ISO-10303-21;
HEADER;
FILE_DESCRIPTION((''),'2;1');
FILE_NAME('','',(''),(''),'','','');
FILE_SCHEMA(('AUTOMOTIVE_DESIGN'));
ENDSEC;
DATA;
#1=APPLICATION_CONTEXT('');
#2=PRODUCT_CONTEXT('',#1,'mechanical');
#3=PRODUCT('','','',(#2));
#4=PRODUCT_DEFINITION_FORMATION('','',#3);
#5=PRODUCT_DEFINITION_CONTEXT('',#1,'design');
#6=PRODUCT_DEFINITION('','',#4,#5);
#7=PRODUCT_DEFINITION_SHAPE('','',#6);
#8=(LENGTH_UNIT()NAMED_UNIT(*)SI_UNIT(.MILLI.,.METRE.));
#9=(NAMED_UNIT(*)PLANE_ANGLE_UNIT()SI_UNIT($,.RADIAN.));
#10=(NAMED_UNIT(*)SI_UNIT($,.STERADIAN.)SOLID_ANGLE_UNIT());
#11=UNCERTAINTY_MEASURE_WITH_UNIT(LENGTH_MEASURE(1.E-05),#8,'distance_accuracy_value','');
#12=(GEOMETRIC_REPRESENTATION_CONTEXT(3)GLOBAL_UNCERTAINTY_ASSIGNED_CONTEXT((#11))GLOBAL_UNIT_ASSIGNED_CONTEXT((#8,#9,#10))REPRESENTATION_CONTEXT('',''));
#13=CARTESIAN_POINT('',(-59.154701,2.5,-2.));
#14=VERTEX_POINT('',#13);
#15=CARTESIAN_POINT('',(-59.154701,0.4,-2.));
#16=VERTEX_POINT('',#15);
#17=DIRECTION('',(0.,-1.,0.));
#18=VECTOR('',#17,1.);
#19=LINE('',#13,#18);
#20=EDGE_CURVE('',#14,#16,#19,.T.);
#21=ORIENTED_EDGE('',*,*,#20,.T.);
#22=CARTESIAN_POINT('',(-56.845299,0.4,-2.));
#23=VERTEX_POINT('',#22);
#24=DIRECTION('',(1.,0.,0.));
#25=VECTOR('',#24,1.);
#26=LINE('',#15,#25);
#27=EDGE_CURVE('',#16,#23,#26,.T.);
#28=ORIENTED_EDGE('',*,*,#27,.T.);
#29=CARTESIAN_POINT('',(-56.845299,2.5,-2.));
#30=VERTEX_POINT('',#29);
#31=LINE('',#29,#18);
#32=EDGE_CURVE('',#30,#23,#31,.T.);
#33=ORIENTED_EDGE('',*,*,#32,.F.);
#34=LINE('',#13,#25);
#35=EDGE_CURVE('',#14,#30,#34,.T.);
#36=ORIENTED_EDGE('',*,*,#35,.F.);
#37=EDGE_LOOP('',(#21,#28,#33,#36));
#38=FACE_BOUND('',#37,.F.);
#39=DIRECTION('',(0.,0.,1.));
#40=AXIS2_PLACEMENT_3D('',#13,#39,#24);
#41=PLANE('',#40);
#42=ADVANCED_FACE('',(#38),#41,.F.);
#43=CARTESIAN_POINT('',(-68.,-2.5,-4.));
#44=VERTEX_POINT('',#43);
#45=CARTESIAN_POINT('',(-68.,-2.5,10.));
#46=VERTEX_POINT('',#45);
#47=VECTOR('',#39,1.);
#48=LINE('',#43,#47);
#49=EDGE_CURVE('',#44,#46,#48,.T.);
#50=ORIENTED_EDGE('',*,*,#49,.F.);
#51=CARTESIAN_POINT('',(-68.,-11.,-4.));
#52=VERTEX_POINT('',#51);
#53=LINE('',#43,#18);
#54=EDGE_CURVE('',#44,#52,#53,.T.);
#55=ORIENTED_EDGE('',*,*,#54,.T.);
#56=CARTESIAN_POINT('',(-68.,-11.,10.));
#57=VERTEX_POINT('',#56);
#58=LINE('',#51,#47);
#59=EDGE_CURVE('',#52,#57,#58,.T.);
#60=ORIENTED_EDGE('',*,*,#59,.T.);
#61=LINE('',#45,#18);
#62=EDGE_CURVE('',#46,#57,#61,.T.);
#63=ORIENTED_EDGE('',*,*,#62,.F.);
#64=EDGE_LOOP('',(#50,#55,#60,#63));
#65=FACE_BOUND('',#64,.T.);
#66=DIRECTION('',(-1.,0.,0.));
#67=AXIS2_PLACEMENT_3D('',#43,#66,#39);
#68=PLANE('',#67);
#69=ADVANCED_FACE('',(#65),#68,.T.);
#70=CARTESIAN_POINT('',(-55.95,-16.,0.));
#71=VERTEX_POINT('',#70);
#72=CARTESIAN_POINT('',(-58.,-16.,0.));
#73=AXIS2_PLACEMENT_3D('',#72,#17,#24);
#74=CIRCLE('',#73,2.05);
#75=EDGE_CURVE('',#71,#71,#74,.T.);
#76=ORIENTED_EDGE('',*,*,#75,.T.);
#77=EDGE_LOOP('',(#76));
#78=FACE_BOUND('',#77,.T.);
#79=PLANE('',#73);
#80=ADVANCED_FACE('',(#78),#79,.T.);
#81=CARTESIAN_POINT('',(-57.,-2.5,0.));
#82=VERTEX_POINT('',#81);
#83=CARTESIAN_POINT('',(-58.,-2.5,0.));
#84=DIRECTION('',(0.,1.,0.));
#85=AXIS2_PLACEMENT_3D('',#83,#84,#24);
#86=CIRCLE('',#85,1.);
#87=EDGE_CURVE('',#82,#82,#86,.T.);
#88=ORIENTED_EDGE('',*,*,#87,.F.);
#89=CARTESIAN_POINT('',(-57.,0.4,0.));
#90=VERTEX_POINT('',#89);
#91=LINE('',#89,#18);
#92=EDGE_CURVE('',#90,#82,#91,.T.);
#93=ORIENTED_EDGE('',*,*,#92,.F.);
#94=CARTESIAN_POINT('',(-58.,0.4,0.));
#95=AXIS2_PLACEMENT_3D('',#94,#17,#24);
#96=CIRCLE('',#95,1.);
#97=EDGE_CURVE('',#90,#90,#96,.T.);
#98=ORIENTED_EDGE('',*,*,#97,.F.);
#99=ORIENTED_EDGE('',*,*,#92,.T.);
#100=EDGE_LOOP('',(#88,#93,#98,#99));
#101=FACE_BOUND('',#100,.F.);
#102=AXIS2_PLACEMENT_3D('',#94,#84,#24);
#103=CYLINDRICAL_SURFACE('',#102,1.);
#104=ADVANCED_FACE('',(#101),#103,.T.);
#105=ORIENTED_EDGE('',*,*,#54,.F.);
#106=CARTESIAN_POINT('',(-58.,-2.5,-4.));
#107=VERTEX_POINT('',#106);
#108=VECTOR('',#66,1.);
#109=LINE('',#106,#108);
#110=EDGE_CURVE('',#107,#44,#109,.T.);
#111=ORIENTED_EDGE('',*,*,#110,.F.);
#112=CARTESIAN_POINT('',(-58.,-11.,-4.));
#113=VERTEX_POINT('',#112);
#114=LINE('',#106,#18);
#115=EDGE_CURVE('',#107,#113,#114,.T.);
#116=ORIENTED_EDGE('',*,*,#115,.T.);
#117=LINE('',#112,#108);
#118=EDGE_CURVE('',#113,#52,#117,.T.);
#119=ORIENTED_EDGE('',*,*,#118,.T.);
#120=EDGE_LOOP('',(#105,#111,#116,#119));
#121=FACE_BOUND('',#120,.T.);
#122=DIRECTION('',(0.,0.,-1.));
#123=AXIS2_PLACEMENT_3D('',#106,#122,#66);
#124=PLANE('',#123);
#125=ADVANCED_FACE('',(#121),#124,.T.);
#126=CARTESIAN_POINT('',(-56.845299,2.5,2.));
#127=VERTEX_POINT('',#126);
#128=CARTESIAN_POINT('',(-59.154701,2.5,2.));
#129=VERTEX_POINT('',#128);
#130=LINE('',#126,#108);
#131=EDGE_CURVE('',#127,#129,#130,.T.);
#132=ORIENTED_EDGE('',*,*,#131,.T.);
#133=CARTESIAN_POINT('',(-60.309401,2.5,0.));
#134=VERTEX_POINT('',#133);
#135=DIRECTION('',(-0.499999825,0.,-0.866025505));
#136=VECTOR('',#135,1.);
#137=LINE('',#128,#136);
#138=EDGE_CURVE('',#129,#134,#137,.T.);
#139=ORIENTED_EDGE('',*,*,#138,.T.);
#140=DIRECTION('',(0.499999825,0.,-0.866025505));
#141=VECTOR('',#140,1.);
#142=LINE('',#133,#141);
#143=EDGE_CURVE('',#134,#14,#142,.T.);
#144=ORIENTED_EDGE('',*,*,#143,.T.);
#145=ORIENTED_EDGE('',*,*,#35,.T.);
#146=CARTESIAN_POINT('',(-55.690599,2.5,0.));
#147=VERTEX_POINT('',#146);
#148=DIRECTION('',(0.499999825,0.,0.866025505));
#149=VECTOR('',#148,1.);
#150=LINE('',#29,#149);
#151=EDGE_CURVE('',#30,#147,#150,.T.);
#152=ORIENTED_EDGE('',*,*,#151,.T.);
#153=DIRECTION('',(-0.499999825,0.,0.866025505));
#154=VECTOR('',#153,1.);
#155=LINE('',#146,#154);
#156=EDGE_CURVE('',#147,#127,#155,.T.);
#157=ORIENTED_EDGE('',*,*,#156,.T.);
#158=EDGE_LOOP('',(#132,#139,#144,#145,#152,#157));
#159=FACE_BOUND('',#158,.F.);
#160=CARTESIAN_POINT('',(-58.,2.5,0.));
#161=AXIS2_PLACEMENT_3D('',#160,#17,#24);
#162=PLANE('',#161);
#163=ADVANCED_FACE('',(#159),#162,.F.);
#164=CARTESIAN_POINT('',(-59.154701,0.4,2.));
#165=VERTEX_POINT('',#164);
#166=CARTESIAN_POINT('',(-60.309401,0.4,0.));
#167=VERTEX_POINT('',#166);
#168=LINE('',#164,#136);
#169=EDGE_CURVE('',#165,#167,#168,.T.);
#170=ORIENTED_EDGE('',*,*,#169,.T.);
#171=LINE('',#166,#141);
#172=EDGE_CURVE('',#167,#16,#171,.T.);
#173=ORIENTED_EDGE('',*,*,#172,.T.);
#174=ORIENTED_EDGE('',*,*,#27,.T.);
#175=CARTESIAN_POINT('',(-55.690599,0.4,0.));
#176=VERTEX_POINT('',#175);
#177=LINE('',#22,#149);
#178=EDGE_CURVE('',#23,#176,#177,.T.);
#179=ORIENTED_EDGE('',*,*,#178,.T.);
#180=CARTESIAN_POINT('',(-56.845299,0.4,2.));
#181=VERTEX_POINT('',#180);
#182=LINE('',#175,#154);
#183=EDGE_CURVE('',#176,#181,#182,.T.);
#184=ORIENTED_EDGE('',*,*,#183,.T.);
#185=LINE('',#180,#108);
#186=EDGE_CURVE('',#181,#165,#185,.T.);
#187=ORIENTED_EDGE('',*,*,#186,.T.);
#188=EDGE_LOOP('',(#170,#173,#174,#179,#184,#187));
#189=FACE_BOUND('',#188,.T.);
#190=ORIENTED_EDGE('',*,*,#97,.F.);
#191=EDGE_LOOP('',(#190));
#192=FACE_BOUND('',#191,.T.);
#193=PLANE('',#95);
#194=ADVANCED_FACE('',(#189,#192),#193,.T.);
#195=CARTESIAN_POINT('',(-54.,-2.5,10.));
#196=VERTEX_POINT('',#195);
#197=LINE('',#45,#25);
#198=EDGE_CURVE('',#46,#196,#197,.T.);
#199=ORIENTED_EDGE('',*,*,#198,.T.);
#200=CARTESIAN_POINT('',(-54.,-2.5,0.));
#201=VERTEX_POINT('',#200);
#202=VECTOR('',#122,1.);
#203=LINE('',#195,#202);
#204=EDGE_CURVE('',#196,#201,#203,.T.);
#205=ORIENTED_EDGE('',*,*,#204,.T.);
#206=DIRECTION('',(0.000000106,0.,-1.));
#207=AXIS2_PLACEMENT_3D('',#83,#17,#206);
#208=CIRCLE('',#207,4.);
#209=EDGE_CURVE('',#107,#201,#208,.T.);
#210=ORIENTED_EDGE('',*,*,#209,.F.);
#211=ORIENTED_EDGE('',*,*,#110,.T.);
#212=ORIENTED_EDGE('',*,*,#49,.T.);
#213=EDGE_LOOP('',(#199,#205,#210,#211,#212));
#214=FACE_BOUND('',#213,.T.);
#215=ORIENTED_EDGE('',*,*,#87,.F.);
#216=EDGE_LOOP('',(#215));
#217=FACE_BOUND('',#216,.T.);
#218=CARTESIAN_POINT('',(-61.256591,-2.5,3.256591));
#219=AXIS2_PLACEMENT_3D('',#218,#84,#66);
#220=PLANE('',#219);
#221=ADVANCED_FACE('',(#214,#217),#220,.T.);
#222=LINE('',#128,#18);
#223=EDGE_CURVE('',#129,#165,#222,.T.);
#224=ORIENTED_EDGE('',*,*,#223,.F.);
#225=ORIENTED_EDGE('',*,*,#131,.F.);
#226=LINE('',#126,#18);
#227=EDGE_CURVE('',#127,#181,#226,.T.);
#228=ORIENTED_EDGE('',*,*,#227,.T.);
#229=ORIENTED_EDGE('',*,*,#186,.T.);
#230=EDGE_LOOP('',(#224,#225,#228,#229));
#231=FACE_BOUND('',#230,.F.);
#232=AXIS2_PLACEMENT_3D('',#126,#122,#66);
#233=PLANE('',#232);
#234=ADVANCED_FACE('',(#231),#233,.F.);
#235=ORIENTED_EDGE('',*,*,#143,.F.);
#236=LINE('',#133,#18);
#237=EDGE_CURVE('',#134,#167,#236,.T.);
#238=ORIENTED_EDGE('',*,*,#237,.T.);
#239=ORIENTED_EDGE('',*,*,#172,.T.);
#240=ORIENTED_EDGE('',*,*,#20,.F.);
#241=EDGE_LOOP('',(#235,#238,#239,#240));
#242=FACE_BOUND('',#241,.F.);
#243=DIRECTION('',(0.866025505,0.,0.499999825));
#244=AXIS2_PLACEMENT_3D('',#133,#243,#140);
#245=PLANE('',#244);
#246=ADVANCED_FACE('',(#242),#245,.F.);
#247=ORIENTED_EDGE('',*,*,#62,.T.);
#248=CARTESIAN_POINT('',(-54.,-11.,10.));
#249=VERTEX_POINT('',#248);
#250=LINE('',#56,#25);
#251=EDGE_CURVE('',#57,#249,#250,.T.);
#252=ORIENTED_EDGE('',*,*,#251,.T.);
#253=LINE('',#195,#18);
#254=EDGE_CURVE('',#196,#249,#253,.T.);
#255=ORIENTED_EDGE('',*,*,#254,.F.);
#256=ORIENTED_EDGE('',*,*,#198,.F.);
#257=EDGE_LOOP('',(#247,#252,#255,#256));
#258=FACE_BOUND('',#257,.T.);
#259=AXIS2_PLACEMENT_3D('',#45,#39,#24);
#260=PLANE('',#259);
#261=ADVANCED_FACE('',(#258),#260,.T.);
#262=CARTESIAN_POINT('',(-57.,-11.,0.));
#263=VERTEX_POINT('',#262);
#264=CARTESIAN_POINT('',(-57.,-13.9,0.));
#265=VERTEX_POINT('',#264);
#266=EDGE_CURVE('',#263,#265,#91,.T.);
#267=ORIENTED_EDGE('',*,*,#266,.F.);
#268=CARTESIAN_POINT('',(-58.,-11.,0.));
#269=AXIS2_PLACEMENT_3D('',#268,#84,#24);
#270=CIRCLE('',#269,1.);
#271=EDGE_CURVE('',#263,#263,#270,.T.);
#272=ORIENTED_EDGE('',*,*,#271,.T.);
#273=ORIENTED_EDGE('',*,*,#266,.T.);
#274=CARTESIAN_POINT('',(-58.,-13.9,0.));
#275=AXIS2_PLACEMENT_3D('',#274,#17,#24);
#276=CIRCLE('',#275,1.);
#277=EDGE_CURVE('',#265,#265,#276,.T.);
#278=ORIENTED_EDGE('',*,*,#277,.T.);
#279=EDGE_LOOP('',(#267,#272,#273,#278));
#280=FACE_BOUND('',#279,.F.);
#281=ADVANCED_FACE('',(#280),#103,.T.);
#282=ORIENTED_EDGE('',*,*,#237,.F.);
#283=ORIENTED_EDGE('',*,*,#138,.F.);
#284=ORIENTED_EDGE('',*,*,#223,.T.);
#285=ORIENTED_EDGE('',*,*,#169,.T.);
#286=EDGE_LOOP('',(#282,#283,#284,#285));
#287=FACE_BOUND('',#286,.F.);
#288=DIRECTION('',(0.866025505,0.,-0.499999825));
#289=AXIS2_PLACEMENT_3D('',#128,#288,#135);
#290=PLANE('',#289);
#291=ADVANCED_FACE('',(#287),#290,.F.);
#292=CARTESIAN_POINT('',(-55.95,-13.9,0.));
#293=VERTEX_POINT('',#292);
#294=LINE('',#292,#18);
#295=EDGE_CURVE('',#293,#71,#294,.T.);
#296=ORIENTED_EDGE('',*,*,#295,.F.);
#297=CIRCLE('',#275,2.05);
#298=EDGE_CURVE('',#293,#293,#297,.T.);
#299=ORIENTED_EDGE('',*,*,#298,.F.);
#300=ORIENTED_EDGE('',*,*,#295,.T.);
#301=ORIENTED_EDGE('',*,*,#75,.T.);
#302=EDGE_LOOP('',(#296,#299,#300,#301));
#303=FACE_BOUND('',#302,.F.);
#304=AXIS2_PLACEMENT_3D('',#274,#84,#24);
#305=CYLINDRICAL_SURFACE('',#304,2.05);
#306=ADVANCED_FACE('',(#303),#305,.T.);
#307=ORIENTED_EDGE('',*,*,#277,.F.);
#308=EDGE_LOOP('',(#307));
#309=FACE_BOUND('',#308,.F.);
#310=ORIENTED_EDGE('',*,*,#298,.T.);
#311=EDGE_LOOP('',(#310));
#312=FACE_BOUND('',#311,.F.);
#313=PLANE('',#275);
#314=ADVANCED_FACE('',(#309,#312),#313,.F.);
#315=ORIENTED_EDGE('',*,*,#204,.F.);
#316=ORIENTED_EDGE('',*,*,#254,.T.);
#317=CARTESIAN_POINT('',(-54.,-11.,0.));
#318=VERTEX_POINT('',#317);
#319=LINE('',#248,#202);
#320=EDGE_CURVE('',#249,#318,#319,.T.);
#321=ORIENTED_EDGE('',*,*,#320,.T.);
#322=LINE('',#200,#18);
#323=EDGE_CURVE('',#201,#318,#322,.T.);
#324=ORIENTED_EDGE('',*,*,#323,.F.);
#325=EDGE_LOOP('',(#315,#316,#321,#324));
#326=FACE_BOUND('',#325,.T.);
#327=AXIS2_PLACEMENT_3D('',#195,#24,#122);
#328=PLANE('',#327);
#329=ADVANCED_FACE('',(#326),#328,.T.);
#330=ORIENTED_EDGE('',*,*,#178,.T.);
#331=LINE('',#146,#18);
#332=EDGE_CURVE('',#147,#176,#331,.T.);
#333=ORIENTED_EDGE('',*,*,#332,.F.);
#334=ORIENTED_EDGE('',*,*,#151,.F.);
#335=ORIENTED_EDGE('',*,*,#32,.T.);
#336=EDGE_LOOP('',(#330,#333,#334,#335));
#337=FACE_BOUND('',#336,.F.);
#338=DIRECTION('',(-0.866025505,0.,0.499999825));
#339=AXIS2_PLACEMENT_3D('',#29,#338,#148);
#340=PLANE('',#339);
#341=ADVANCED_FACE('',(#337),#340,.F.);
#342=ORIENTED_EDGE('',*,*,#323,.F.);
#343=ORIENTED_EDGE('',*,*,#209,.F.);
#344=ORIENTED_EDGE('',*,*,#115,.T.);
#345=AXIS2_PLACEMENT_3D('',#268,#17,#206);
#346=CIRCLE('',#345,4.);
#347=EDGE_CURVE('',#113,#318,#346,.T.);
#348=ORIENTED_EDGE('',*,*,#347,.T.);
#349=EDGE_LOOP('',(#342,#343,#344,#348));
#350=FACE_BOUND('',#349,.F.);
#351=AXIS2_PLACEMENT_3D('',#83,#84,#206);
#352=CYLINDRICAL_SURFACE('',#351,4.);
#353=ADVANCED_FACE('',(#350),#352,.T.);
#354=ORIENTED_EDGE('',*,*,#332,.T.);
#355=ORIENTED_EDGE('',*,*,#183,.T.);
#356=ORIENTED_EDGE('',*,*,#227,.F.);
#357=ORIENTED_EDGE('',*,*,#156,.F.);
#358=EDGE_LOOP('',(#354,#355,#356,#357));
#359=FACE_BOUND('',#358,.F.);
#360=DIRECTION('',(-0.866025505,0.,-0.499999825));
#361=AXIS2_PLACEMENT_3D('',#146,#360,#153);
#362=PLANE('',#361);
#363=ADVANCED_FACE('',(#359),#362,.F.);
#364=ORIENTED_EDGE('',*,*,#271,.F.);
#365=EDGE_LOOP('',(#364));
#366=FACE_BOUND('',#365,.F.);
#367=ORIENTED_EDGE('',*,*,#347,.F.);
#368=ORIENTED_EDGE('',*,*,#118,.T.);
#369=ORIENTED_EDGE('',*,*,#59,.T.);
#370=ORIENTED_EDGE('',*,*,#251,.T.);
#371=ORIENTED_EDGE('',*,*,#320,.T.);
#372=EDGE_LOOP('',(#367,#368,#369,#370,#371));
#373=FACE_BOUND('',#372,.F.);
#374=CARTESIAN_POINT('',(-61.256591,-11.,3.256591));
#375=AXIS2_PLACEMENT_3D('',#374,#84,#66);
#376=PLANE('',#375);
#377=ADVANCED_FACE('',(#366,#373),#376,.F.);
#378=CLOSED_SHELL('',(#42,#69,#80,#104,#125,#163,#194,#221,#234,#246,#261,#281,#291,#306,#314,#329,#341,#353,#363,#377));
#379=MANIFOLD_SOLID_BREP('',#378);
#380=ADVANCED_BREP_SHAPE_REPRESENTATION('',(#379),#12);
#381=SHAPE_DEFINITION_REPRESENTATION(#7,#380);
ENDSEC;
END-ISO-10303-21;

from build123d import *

# Parameters (mm, degrees)
PAD002_DEPTH = 2.1
SKETCH003_R  = 1
PAD003_DEPTH = 14.3
SKETCH004_R  = 2.05
PAD004_DEPTH = 2.1
PAD005_DEPTH = 8.5


with BuildPart() as part:
    # Sketch002 → Pad002 (new body)
    with BuildSketch(Plane.XZ.offset(-2.5)):
        Polygon((-56.845299, -2), (-55.690599, 0), (-56.845299, 2), (-59.154701, 2), (-60.309401, 0), (-59.154701, -2), align=None)
    extrude(amount=PAD002_DEPTH)

    # Sketch003 (on Face8 of Pad002) → Pad003 (join)
    with BuildSketch(Plane.XZ.offset(-0.4)):
        with Locations((-58, 0)):
            Circle(SKETCH003_R)
    extrude(amount=PAD003_DEPTH)

    # Sketch004 (on Face10 of Pad003) → Pad004 (join)
    with BuildSketch(Plane.XZ.offset(13.9)):
        with Locations((-58, 0)):
            Circle(SKETCH004_R)
    extrude(amount=PAD004_DEPTH)

    # Sketch005 → Pad005 (join)
    with BuildSketch(Plane.XZ.offset(2.5)):
        with BuildLine():
            Line((-68, 10), (-54, 10))
            Line((-54, 10), (-54, 0))
            ThreePointArc((-58, -4), (-55.171573, -2.828427), (-54, 0))
            Line((-58, -4), (-68, -4))
            Line((-68, -4), (-68, 10))
        make_face()
    extrude(amount=PAD005_DEPTH)


solid = part.part
